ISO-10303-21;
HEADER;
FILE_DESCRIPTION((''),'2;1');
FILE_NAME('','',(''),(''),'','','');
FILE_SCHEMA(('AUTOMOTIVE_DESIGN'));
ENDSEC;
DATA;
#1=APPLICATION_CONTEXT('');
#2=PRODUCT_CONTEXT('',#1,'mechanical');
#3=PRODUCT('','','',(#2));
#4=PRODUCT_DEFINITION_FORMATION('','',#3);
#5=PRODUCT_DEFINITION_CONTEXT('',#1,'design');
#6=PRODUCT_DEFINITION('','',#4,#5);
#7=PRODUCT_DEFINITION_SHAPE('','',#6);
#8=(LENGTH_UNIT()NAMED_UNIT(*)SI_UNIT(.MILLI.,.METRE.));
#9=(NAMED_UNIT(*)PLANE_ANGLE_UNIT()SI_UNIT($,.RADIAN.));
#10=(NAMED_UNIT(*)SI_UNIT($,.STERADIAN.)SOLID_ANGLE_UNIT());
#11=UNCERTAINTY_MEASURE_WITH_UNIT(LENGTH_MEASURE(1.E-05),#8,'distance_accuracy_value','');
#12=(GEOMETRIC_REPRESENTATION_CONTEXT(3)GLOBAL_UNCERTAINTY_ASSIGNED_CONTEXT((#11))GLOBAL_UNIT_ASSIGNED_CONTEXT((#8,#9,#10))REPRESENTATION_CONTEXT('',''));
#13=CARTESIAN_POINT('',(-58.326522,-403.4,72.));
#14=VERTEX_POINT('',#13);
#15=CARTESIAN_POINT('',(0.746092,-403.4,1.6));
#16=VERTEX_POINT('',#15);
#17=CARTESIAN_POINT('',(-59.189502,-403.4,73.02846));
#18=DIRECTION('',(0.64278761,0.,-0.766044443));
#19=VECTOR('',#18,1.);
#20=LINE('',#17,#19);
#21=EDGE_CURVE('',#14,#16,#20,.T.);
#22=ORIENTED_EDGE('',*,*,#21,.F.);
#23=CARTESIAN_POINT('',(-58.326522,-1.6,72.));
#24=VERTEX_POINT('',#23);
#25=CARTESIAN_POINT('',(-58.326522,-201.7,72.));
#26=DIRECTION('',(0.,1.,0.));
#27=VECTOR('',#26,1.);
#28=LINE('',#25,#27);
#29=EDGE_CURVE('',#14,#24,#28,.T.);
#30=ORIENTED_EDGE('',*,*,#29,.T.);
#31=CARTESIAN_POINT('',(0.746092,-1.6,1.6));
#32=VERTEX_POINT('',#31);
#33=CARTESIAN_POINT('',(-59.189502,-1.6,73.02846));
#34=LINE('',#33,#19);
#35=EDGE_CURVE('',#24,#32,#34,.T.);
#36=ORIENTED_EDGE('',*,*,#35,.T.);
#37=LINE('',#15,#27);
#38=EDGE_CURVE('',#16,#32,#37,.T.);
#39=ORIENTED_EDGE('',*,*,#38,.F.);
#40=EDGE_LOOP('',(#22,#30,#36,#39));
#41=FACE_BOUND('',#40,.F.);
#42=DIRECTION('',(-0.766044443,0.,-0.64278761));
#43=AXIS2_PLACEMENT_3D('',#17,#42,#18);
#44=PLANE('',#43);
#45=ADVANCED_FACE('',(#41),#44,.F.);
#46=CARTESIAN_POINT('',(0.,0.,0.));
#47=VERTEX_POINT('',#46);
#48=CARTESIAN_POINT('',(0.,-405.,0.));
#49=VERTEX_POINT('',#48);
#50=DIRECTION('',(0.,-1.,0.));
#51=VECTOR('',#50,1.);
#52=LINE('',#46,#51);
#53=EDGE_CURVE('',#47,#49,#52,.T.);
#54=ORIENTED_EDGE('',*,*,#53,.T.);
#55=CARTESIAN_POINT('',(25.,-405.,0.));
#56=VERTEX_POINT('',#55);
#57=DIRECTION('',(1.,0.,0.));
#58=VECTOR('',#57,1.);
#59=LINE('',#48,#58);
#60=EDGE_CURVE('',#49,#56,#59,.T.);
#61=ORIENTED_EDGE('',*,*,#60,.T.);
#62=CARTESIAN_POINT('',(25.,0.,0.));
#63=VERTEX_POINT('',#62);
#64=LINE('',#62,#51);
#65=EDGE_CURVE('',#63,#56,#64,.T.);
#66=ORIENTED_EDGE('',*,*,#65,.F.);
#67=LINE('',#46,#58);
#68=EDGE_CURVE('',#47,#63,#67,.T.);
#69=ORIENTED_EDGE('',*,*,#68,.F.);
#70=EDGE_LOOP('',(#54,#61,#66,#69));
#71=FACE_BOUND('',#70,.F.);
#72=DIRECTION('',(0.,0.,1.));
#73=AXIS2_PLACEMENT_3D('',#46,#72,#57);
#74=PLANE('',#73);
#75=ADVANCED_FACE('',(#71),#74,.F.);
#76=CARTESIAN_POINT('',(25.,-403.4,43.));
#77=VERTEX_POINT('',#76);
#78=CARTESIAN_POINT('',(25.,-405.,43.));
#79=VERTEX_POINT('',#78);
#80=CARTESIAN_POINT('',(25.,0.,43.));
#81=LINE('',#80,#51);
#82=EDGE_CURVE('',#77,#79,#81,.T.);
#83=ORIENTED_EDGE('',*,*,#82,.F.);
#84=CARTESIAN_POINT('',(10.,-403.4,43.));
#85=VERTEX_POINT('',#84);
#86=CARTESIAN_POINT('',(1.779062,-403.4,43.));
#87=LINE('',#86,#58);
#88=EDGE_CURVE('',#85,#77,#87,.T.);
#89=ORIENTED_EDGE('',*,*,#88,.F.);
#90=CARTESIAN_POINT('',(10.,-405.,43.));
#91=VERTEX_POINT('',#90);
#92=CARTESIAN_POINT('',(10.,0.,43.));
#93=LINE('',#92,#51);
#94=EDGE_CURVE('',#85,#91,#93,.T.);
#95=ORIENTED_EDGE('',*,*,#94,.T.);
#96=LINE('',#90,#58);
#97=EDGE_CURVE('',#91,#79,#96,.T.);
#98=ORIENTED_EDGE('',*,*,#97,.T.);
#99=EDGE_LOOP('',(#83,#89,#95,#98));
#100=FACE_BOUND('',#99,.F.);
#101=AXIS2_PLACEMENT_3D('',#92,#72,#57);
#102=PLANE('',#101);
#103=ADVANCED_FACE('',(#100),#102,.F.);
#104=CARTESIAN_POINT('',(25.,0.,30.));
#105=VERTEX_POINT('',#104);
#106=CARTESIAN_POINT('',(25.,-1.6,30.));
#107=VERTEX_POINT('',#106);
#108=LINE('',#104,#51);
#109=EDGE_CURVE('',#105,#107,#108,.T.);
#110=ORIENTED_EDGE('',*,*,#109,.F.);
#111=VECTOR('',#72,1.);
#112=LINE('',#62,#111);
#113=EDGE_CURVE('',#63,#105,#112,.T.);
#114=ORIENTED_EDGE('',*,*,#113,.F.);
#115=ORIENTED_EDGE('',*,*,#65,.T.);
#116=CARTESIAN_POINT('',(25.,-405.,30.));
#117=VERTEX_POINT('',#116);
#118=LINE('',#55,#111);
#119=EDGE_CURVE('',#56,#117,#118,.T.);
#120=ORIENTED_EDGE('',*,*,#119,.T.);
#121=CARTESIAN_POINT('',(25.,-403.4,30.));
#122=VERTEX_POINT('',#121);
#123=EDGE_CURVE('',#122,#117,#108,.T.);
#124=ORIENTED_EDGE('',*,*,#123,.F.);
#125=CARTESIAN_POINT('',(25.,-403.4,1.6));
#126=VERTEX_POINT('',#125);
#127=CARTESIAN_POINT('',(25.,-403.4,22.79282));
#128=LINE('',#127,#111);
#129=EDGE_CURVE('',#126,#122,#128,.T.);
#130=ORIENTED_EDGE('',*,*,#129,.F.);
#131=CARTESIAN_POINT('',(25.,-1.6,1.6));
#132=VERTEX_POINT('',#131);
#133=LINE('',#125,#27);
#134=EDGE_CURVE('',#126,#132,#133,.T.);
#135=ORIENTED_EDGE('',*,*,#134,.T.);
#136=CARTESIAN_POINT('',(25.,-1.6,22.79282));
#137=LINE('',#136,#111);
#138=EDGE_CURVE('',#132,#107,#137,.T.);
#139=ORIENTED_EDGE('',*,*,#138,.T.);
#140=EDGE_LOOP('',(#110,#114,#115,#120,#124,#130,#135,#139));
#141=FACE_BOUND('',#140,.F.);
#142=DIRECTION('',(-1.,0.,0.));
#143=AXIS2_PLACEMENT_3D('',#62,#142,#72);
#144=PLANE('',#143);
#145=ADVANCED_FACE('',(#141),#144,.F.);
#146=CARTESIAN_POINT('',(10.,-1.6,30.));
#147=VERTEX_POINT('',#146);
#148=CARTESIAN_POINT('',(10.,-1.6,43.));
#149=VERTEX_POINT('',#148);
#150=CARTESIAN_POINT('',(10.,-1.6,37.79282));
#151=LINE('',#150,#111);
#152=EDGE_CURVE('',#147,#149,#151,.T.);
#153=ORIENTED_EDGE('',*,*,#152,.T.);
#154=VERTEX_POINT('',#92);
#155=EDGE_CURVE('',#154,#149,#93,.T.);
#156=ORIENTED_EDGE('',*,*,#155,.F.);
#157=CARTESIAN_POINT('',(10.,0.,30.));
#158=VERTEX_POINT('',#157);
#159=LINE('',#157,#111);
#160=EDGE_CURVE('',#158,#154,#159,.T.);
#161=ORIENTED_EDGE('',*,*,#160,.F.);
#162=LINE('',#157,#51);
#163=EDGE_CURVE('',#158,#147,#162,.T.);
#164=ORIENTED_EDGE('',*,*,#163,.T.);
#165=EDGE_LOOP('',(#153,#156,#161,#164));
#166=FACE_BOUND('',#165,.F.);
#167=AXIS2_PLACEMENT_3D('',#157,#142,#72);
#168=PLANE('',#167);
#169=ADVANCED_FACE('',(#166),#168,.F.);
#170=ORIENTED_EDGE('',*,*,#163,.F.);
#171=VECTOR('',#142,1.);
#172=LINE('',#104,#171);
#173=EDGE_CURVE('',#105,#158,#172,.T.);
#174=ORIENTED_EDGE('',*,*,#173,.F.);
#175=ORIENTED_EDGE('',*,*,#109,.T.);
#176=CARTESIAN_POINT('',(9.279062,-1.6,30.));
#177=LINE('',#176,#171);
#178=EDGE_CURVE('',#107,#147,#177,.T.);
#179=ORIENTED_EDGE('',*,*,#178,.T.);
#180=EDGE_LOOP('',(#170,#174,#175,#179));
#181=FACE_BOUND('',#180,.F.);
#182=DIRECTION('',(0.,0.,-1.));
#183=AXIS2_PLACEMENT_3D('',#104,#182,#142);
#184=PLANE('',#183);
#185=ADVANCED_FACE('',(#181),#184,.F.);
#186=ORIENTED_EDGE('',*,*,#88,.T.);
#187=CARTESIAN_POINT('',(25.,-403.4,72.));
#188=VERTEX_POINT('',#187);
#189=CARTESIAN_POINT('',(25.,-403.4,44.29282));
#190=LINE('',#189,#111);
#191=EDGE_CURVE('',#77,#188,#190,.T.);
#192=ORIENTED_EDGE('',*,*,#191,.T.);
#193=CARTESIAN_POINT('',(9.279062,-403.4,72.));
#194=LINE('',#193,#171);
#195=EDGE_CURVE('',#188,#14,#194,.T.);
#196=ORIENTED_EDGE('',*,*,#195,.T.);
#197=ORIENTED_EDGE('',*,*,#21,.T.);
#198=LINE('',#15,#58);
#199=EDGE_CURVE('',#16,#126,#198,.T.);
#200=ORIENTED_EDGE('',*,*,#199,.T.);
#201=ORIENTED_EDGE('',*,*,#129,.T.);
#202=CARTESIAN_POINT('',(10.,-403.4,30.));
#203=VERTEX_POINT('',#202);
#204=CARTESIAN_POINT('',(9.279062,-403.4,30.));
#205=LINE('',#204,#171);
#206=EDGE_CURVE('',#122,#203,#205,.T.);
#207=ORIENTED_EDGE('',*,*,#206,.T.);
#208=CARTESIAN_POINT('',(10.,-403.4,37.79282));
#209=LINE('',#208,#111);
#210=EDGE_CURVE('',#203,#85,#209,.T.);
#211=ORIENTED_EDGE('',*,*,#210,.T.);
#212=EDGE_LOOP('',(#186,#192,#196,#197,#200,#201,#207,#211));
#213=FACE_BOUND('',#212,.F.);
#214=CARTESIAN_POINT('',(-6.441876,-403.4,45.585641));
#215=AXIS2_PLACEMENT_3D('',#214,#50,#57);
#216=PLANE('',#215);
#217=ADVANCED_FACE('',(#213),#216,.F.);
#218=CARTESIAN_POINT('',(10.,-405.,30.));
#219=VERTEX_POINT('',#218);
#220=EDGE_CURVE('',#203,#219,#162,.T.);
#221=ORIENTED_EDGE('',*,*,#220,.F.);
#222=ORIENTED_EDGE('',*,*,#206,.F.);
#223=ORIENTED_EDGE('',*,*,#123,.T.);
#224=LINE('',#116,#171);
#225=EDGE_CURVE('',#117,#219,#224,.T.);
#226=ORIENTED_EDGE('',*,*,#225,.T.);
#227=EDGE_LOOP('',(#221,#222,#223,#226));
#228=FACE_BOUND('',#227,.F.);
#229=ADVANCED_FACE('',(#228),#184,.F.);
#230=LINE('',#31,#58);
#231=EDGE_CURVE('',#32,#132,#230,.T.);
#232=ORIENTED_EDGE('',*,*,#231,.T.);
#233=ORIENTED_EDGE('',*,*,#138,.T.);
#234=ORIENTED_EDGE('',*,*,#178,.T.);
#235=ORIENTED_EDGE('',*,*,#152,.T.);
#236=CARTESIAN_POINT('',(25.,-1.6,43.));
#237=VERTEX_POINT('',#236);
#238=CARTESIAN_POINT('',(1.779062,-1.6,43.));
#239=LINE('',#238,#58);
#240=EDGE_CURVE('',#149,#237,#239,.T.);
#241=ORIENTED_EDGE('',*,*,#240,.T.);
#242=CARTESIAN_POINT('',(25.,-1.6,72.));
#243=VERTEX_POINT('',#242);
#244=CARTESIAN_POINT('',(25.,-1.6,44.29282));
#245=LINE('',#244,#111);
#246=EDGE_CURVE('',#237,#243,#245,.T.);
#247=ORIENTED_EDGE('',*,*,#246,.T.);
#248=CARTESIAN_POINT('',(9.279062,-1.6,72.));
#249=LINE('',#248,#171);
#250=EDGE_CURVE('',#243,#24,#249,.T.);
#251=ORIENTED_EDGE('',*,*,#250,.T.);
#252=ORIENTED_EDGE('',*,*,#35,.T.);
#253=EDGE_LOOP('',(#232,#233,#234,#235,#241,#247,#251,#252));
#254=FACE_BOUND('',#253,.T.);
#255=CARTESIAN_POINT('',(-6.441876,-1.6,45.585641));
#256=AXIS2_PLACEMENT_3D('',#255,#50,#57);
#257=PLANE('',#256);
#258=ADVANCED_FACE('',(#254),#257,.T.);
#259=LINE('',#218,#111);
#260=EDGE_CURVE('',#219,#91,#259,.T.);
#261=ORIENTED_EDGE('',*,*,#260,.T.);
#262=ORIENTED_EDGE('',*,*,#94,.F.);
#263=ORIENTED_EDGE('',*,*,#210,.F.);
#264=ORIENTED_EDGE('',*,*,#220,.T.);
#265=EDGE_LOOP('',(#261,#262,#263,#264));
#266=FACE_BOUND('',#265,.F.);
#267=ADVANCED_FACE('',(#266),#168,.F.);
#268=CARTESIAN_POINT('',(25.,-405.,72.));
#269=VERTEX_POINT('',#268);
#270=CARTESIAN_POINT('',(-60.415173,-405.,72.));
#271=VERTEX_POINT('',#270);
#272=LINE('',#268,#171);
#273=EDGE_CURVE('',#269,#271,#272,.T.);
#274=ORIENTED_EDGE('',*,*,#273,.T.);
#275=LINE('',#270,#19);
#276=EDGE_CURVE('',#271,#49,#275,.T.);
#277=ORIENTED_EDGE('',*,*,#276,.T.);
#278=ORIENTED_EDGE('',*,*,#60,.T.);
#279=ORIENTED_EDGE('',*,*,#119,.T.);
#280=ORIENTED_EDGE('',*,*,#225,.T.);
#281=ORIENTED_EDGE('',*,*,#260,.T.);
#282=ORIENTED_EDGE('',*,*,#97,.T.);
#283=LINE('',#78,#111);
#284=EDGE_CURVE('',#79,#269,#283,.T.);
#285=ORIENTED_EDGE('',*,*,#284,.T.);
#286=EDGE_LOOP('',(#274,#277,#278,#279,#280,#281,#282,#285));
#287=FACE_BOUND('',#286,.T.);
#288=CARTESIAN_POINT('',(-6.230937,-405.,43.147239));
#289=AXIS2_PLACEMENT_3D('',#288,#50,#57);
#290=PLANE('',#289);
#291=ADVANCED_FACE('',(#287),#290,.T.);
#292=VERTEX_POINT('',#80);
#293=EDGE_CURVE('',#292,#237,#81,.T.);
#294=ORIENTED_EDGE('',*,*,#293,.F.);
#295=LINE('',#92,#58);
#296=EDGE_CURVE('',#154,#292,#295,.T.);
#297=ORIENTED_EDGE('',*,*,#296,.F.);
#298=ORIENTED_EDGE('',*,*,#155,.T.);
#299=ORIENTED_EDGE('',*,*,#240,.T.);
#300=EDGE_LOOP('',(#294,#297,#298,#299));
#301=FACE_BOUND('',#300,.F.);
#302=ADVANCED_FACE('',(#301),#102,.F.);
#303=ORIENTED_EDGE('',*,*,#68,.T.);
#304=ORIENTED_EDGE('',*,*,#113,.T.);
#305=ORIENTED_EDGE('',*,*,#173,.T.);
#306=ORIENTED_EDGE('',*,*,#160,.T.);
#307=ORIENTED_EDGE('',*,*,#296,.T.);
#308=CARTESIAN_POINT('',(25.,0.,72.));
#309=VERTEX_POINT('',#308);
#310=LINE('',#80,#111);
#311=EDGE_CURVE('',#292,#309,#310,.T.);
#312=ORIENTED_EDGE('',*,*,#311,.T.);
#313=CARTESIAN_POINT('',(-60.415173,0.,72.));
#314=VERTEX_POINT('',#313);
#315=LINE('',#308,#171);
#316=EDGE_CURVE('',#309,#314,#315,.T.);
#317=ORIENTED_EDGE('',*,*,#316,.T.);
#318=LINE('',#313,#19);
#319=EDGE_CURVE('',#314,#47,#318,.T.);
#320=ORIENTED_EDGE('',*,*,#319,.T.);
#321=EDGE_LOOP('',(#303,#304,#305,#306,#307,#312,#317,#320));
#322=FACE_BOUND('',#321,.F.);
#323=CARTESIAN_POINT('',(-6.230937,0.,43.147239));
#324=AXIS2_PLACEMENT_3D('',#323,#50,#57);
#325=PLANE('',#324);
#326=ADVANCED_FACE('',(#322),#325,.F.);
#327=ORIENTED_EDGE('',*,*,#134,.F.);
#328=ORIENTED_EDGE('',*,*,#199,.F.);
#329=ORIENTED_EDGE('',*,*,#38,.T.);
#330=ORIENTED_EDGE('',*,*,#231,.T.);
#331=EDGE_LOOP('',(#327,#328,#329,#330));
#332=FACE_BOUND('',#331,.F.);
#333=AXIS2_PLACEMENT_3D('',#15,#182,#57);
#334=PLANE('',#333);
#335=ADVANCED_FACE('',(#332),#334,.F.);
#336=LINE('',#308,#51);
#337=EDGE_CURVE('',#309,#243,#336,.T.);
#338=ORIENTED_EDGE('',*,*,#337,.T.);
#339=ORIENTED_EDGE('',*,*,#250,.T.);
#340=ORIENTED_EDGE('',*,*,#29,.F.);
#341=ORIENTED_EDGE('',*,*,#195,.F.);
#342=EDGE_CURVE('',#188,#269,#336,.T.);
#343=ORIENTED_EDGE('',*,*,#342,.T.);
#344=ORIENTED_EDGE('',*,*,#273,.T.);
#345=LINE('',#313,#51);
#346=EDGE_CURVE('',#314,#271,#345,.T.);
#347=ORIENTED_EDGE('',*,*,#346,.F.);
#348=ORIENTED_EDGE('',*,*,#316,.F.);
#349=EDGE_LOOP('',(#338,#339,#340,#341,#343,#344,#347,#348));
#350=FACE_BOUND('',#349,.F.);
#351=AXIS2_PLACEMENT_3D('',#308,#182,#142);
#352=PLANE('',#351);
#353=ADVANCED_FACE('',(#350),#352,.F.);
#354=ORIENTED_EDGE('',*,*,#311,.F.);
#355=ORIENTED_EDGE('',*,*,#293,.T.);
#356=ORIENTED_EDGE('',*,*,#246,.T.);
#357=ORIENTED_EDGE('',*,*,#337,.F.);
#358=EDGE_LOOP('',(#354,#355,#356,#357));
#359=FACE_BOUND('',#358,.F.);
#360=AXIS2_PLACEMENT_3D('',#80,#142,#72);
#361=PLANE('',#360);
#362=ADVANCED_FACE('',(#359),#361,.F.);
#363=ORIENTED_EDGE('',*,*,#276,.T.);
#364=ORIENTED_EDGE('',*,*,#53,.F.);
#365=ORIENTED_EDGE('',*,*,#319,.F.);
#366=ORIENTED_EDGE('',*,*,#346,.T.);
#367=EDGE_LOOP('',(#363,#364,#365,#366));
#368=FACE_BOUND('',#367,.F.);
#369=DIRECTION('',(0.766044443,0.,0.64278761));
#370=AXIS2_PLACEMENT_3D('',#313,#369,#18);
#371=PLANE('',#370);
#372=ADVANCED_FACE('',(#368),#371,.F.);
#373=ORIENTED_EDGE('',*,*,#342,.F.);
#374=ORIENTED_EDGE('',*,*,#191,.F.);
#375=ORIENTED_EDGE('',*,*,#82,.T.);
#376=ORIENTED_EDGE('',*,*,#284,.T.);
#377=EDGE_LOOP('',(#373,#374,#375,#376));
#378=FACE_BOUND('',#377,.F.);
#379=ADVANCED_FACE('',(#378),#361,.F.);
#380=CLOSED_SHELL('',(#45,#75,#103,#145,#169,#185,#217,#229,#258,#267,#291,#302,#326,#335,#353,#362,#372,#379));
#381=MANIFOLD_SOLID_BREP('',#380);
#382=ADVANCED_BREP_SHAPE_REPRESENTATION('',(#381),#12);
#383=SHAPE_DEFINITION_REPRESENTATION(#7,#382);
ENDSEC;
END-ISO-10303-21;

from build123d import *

# Parameters (mm, degrees)
F1_DEPTH = 405
F4_DEPTH = 401.8


with BuildPart() as f1:
    # F0 (on Front) → F1 (new body)
    with BuildSketch(Plane.XZ):
        Polygon((-60.4151734448, 72), (0, 0), (25, 0), (25, 30), (10, 30), (10, 43), (25, 43), (25, 72), align=None)
    extrude(amount=F1_DEPTH)

    # F3 (on offset) → F4 (cut)
    with BuildSketch(Plane.XZ.offset(403.4)):
        Polygon((29.3578643668, 73.0284601755), (-59.1895023358, 73.0284601755), (0.746092253, 1.6), (25, 1.6), align=None)
    extrude(amount=-F4_DEPTH, mode=Mode.SUBTRACT)


solid = f1.part
